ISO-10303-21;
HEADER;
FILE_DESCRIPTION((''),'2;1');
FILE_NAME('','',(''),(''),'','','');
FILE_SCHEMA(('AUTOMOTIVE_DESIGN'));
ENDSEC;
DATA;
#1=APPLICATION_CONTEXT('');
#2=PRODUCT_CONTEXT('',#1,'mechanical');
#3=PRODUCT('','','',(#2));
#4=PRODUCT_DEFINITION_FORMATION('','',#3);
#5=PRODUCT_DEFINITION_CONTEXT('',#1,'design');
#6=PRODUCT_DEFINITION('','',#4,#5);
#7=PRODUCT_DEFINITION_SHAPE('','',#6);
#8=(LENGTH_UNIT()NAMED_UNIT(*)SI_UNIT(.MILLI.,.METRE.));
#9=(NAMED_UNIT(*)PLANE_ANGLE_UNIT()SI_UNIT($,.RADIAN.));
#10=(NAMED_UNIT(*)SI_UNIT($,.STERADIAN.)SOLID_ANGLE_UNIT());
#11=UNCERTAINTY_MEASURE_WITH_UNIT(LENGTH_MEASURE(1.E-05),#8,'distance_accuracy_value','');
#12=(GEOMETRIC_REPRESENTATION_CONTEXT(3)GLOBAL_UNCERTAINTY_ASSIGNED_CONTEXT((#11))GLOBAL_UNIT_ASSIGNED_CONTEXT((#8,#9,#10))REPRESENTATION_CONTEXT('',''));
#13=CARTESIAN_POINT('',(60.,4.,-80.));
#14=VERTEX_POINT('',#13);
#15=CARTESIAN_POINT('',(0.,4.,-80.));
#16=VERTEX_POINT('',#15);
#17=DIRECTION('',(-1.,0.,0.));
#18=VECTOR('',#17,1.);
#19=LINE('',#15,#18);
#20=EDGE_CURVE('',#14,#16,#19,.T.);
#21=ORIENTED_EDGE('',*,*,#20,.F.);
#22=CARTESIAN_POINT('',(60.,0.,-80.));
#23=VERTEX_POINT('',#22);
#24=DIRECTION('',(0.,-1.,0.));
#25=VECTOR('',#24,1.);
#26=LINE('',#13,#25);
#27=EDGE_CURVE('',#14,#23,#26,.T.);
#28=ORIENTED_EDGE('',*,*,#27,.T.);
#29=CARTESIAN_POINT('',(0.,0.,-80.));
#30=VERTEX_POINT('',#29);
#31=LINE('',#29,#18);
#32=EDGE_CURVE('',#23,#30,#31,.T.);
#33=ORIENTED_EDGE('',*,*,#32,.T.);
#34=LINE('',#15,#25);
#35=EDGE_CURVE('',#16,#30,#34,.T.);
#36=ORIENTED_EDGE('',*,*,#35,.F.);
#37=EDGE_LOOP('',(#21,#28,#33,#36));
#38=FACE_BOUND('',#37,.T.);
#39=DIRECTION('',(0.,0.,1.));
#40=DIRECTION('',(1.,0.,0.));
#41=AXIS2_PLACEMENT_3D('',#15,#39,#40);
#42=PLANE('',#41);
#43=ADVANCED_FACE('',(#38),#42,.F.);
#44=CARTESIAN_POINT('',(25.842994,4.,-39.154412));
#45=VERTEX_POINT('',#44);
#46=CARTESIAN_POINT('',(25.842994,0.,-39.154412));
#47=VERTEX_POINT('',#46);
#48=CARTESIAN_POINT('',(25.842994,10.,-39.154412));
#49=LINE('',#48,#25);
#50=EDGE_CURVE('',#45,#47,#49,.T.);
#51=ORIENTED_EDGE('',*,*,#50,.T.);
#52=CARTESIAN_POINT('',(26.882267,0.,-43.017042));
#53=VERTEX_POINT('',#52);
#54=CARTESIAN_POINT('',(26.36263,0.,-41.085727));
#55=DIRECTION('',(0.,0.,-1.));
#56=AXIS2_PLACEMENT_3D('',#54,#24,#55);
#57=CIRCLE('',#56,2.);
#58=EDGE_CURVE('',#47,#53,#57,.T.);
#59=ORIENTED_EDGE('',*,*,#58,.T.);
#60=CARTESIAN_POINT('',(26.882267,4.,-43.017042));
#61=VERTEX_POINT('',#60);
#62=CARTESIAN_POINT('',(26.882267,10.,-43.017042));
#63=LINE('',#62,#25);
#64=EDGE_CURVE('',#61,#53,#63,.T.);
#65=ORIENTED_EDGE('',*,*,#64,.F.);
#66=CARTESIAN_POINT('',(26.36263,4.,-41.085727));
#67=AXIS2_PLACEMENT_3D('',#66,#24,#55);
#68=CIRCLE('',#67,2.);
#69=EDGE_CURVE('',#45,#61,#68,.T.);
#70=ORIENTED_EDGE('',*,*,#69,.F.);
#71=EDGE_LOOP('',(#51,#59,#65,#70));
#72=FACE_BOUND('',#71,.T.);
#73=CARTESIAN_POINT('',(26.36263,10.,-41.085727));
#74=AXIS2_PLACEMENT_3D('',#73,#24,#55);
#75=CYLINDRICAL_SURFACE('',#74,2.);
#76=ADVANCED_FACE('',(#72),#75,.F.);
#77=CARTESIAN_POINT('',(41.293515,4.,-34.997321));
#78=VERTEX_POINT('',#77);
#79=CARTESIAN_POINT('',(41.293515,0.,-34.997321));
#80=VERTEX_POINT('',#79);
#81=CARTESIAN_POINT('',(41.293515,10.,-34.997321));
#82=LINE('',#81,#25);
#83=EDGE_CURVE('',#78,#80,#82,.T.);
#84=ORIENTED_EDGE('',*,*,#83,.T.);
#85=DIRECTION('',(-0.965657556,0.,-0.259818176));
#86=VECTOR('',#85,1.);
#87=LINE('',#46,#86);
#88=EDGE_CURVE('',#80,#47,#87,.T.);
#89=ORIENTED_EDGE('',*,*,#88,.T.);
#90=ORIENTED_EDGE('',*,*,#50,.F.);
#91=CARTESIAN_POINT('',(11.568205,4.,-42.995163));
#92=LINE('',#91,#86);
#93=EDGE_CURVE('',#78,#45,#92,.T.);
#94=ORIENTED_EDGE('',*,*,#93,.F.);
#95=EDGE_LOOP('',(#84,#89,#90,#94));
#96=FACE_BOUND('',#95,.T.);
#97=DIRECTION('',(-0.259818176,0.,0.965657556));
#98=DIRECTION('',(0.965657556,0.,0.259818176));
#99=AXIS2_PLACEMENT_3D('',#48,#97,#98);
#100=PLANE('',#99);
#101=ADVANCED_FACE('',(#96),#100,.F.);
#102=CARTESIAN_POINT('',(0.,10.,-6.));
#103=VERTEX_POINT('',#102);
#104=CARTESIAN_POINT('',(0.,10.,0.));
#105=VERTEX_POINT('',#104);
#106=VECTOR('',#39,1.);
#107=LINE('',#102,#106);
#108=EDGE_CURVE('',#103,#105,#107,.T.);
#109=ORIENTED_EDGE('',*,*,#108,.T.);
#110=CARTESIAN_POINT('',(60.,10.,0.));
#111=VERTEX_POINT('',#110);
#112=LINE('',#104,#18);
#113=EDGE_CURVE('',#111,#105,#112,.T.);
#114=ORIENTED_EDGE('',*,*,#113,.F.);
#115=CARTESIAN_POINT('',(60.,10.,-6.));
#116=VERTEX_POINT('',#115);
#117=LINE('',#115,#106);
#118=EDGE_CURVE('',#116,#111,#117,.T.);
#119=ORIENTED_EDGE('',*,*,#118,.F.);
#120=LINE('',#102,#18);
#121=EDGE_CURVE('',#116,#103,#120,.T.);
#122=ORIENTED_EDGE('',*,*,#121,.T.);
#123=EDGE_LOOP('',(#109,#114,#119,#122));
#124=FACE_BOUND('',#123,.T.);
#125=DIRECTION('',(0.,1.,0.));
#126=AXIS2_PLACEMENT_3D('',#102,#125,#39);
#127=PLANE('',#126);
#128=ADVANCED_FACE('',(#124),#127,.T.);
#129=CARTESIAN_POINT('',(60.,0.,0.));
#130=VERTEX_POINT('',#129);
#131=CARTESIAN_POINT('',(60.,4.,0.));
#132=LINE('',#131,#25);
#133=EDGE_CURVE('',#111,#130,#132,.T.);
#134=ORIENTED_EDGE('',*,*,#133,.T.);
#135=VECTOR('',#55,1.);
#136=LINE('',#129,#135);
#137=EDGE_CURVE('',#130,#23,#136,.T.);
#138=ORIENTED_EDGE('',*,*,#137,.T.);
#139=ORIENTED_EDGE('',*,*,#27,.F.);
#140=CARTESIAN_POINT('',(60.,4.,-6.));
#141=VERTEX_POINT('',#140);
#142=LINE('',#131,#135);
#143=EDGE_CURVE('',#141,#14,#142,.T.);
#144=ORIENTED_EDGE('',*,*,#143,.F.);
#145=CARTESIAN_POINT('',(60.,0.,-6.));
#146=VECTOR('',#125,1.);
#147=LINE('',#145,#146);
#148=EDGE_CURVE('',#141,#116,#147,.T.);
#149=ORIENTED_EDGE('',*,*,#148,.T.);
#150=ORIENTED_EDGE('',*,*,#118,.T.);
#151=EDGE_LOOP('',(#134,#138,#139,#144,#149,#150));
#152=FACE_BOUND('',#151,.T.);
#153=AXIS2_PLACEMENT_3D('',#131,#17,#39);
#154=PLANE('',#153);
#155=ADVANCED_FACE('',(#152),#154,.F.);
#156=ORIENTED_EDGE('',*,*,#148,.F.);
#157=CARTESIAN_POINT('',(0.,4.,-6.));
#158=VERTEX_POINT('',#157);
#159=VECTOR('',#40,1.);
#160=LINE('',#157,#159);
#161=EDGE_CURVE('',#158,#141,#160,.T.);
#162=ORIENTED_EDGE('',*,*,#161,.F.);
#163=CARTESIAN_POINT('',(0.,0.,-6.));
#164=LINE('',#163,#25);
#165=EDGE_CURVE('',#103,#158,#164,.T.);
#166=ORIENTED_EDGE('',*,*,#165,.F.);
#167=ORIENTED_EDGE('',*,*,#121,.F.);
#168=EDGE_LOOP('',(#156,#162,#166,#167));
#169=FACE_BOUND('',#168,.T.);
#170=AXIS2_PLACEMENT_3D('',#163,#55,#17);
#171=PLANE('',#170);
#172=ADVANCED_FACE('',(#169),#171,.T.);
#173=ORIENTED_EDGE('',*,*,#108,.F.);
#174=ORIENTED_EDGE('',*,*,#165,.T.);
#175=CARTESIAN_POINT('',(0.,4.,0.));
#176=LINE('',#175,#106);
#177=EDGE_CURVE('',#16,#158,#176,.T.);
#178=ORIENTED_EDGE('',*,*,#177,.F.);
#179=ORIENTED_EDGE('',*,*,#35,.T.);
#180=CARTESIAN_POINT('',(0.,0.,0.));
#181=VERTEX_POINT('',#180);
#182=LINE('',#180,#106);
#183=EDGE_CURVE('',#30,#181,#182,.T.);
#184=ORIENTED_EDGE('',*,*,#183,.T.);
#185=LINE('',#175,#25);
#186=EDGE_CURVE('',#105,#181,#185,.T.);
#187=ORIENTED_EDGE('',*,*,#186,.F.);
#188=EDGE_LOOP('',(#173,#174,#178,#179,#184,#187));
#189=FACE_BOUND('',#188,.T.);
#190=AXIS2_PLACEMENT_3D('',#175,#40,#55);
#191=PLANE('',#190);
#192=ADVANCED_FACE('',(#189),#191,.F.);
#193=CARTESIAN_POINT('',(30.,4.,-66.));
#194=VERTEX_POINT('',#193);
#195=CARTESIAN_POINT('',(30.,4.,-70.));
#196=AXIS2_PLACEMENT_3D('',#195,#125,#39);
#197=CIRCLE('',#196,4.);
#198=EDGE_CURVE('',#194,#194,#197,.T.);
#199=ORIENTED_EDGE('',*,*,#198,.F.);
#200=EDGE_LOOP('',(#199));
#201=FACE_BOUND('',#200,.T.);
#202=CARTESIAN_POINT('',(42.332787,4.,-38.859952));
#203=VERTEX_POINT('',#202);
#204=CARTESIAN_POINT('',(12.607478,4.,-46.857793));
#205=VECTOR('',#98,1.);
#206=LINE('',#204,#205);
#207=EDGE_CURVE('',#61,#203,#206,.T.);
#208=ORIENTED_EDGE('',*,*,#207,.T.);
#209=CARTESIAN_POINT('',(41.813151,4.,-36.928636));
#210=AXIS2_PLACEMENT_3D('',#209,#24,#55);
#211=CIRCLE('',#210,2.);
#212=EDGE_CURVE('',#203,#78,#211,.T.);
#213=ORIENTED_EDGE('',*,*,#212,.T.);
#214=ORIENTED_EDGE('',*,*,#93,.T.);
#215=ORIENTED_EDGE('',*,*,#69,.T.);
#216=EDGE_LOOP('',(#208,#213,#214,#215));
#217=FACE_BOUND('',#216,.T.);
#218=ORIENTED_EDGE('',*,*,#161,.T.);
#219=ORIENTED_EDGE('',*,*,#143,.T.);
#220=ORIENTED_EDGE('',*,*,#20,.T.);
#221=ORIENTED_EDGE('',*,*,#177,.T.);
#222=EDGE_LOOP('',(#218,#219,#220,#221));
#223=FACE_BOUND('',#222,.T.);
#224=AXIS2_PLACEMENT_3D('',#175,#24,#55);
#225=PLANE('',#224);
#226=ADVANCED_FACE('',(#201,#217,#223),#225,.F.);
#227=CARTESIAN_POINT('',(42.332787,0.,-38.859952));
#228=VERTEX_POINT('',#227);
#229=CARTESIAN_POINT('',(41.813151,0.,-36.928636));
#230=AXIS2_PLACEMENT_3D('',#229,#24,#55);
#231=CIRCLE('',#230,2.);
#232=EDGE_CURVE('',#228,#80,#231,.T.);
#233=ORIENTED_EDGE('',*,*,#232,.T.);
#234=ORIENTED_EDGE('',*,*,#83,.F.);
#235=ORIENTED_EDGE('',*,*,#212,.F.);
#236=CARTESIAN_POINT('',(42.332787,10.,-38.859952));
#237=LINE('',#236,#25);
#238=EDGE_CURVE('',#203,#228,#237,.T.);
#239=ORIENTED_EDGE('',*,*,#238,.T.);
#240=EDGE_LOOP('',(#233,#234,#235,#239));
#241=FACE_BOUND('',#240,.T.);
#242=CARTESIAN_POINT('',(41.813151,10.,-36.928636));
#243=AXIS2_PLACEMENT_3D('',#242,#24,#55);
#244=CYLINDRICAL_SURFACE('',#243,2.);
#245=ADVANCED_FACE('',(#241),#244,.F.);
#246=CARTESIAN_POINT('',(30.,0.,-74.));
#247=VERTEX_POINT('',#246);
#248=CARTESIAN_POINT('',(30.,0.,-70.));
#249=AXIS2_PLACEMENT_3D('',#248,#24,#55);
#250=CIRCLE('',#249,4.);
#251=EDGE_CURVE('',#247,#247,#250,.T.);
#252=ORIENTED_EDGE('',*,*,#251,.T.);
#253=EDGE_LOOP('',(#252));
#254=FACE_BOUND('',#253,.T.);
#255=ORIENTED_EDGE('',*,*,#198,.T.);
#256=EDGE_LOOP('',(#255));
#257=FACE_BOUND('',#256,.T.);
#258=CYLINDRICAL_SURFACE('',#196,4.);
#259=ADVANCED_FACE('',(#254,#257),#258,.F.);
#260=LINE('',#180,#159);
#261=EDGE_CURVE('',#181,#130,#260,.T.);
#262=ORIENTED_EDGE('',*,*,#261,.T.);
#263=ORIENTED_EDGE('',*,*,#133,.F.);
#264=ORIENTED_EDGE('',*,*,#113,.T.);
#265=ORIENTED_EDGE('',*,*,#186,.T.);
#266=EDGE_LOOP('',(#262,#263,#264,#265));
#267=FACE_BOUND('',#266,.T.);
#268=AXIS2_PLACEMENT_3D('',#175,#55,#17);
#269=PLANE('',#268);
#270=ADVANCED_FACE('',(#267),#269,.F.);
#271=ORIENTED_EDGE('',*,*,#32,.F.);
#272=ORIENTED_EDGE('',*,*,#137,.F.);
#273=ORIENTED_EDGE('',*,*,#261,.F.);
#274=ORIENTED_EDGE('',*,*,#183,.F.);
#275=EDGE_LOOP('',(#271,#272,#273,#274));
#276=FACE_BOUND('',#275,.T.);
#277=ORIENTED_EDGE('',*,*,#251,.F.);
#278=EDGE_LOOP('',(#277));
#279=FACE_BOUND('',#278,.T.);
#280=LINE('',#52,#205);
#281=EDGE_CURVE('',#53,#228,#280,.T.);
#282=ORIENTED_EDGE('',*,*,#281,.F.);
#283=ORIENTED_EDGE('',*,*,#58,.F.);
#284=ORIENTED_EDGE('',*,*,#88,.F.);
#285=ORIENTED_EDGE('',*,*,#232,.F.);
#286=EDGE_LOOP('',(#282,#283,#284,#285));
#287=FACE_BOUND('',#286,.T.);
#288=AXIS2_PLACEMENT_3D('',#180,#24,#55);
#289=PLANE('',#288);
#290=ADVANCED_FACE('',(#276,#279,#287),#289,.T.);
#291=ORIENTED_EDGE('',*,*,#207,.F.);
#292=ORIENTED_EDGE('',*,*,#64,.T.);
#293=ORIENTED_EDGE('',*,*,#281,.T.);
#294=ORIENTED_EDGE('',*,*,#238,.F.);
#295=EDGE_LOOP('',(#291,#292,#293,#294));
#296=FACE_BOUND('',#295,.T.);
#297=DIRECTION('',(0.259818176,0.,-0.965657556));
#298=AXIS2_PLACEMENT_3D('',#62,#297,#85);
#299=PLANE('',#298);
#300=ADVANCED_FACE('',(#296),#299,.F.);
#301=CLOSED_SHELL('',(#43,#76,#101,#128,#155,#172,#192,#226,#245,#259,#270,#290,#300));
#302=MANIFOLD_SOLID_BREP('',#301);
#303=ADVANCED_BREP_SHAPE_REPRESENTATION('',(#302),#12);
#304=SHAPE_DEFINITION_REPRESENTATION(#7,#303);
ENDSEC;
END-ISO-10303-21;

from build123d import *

# Parameters (mm, degrees)
SKETCH1_W                 = 60
SKETCH1_H                 = 80
BOSS_EXTRUDE1_DEPTH       = 4
SKETCH2_W                 = 60
SKETCH2_H                 = 10
BOSS_EXTRUDE2_DEPTH       = 6
F_8_0MM_DOWEL_HOLE1_D     = 8
F_8_0MM_DOWEL_HOLE1_DEPTH = 6
CUT_EXTRUDE1_DEPTH        = 101.498756211


with BuildPart() as part:
    # Sketch1 → Boss-Extrude1 (new body)
    with BuildSketch(Plane(origin=(0, 0, 0), x_dir=(1, 0, 0), z_dir=(0, 1, 0))):
        with Locations((30, 40)):
            Rectangle(SKETCH1_W, SKETCH1_H)
    extrude(amount=BOSS_EXTRUDE1_DEPTH)

    # Sketch2 → Boss-Extrude2 (add)
    with BuildSketch(Plane.XY):
        with Locations((30, 5)):
            Rectangle(SKETCH2_W, SKETCH2_H)
    extrude(amount=-BOSS_EXTRUDE2_DEPTH)

    # Ø8.0mm Dowel Hole1
    with Locations(Plane(origin=(0, 4, 0), x_dir=(1, 0, 0), z_dir=(0, 1, 0))):
        with Locations((30, 70)):
            Hole(F_8_0MM_DOWEL_HOLE1_D / 2, depth=F_8_0MM_DOWEL_HOLE1_DEPTH)

    # Sketch6 → Cut-Extrude1 (cut, through all)
    with BuildSketch(Plane.XZ):
        with BuildLine():
            Line((25.84299387, -39.154412182), (41.293514764, -34.997321359))
            ThreePointArc((41.293514764, -34.997321359), (43.744466229, -36.409000118), (42.33278747, -38.859951582))
            Line((42.33278747, -38.859951582), (26.882266576, -43.017042406))
            ThreePointArc((26.882266576, -43.017042406), (24.431315112, -41.605363647), (25.84299387, -39.154412182))
        make_face()
    extrude(amount=-CUT_EXTRUDE1_DEPTH, mode=Mode.SUBTRACT)


solid = part.part
